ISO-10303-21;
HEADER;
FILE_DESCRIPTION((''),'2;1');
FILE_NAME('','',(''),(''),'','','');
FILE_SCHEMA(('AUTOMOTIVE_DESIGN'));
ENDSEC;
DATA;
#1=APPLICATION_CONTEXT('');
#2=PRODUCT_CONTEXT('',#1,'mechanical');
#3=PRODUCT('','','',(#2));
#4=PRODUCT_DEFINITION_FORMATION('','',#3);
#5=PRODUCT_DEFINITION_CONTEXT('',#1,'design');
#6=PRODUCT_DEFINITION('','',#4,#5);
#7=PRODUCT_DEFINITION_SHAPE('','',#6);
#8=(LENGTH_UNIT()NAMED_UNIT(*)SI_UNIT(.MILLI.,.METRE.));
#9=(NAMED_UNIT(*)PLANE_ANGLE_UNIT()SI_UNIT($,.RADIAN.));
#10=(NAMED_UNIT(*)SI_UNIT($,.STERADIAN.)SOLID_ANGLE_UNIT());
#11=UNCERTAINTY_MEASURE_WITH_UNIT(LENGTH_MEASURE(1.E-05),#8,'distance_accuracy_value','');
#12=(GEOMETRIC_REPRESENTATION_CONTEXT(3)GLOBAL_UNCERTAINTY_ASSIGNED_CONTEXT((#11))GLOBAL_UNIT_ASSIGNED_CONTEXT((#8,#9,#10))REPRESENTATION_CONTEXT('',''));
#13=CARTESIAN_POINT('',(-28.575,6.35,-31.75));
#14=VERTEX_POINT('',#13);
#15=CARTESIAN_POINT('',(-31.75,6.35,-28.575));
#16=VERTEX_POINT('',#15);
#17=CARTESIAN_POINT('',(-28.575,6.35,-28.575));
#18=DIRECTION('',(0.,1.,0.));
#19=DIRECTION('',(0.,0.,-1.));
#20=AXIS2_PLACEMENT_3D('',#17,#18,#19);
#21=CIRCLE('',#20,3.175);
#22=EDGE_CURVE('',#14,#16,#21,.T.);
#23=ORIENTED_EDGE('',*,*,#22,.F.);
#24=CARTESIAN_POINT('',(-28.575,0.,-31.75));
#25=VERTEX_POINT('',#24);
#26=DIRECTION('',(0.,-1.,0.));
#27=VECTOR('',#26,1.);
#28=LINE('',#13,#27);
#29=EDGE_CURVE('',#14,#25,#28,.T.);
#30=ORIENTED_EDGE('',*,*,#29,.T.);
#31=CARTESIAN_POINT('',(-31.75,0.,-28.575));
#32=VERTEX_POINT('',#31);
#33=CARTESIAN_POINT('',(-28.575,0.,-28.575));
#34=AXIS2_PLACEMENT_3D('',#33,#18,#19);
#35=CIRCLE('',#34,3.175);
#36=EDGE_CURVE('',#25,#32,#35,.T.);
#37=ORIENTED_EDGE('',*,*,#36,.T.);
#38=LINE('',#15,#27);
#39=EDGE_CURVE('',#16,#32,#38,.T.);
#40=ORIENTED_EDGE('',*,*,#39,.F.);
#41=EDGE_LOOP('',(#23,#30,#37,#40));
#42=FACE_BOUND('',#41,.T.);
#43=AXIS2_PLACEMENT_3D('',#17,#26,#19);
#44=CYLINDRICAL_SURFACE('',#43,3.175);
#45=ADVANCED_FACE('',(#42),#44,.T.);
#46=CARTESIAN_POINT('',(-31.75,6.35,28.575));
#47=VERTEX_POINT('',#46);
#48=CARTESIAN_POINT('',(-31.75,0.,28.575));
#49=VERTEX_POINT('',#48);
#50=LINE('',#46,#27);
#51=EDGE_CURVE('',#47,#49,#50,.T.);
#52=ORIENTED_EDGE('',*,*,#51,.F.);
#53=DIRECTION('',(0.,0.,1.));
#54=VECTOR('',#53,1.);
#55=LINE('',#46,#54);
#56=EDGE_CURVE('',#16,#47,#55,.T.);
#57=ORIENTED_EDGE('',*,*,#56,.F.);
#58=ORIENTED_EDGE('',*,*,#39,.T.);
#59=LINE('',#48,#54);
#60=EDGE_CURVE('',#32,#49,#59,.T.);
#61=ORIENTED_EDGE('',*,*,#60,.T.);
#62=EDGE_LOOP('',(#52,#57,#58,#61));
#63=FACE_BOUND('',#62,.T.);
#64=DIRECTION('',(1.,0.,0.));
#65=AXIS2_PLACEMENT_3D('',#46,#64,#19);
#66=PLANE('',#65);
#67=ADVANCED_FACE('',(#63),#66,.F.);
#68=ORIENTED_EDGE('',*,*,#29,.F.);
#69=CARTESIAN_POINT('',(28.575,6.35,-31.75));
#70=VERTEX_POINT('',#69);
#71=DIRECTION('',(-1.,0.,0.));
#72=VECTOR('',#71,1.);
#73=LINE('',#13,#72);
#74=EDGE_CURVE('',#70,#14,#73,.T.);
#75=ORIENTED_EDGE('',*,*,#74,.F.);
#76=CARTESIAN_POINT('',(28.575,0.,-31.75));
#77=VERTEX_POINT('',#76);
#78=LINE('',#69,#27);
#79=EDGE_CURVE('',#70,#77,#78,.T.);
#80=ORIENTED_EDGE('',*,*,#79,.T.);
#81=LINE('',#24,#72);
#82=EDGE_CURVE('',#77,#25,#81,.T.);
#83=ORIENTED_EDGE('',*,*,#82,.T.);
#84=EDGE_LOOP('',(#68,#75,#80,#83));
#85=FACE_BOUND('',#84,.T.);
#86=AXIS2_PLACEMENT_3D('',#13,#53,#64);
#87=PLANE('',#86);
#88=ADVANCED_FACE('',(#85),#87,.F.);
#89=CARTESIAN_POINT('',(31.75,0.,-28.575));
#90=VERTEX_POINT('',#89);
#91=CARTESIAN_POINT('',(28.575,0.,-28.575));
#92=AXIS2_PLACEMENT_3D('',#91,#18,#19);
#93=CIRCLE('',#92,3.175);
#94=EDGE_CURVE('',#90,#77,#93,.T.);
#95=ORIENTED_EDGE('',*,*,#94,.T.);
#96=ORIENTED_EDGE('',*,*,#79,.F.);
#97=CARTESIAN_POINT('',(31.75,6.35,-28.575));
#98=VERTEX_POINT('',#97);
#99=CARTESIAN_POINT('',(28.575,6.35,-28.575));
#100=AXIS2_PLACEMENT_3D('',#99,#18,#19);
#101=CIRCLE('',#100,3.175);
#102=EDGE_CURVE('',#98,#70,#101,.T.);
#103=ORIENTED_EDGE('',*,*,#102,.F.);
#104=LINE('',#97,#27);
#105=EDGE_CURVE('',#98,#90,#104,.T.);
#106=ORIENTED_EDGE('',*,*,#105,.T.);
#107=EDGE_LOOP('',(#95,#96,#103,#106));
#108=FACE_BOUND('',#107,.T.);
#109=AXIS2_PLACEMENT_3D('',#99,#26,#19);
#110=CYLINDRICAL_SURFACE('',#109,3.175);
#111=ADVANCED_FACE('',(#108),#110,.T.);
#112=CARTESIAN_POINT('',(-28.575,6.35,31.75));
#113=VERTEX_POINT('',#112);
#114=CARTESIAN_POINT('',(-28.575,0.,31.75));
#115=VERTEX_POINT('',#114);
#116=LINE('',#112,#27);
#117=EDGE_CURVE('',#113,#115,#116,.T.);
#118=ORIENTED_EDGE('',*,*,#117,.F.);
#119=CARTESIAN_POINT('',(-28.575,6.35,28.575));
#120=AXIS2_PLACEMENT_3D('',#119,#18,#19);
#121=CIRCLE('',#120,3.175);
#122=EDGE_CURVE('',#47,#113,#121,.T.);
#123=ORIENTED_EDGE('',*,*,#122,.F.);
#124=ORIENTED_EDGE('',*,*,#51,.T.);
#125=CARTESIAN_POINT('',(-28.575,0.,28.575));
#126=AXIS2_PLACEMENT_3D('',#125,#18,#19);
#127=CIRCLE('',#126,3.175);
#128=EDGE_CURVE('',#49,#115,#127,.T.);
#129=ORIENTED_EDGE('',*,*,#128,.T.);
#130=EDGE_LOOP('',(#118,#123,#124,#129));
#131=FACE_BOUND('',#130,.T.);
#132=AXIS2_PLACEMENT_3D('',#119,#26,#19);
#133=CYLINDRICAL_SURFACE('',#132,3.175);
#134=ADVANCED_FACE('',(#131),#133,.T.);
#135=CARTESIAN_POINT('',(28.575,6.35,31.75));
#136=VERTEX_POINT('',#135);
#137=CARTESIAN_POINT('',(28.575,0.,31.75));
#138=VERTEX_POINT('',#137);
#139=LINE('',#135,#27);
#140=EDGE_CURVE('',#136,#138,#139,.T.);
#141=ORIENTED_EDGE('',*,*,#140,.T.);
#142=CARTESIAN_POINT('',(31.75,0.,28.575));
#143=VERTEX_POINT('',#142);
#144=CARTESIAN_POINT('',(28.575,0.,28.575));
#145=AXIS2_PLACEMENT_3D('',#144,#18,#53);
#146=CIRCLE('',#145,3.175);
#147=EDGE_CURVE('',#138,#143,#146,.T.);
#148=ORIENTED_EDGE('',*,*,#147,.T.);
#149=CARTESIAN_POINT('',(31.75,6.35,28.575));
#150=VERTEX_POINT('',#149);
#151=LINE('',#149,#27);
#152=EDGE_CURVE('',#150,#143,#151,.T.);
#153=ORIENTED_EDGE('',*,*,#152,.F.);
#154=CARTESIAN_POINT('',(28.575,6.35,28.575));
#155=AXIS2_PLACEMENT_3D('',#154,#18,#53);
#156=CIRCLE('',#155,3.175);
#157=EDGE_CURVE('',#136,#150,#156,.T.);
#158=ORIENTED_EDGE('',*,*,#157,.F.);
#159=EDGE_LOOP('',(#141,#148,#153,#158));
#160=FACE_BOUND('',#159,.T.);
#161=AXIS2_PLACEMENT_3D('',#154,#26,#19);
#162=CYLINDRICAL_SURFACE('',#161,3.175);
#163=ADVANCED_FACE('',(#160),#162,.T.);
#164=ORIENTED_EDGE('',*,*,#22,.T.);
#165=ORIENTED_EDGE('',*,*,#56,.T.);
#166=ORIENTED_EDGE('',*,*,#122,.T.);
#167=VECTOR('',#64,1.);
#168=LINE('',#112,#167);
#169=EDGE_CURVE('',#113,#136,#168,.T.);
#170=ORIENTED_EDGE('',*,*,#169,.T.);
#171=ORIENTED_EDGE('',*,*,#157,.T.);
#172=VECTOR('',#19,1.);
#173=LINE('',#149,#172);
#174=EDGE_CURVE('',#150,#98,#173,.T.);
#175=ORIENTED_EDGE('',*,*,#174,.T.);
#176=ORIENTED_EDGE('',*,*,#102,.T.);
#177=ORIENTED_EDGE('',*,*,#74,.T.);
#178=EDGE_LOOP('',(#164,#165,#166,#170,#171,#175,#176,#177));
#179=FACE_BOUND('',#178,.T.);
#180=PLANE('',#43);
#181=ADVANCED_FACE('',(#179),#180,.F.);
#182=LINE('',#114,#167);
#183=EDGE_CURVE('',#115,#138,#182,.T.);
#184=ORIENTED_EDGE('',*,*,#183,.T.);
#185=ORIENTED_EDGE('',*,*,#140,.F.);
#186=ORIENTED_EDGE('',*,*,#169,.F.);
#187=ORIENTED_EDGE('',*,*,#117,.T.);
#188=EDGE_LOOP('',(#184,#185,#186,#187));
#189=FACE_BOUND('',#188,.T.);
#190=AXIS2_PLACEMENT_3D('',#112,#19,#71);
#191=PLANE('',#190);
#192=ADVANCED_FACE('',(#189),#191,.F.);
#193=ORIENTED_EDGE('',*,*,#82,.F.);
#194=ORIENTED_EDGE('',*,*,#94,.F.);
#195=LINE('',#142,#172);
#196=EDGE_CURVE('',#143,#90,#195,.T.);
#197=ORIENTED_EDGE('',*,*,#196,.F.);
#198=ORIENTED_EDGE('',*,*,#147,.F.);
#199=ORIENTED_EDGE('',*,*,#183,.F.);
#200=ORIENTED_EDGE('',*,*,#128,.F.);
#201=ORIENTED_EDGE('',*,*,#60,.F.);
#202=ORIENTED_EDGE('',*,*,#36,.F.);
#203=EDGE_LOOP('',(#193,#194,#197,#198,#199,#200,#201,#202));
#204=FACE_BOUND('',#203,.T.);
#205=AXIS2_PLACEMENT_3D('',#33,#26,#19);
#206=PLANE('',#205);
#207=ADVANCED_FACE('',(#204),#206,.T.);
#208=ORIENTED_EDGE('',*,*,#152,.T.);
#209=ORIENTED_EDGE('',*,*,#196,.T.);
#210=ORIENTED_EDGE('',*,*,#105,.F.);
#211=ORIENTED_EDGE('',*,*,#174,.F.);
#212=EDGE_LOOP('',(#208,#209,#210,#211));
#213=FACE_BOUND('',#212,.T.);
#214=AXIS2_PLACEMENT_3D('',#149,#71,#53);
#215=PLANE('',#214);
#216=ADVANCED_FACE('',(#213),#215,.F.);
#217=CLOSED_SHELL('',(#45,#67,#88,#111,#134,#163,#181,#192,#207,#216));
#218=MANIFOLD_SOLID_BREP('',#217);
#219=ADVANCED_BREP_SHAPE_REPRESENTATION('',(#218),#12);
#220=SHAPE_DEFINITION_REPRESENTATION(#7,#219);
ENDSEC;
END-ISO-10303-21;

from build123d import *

# Parameters (mm, degrees)
BOSS_EXTRUDE1_DEPTH = 6.35


with BuildPart() as part:
    # Sketch1 → Boss-Extrude1 (new body)
    with BuildSketch(Plane(origin=(0, 0, 0), x_dir=(1, 0, 0), z_dir=(0, 1, 0))):
        with BuildLine():
            Line((-28.575, -31.75), (28.575, -31.75))
            ThreePointArc((28.575, -31.75), (30.82006403, -30.82006403), (31.75, -28.575))
            Line((31.75, -28.575), (31.75, 28.575))
            ThreePointArc((31.75, 28.575), (30.82006403, 30.82006403), (28.575, 31.75))
            Line((28.575, 31.75), (-28.575, 31.75))
            ThreePointArc((-28.575, 31.75), (-30.82006403, 30.82006403), (-31.75, 28.575))
            Line((-31.75, 28.575), (-31.75, -28.575))
            ThreePointArc((-31.75, -28.575), (-30.82006403, -30.82006403), (-28.575, -31.75))
        make_face()
    extrude(amount=BOSS_EXTRUDE1_DEPTH)


solid = part.part
